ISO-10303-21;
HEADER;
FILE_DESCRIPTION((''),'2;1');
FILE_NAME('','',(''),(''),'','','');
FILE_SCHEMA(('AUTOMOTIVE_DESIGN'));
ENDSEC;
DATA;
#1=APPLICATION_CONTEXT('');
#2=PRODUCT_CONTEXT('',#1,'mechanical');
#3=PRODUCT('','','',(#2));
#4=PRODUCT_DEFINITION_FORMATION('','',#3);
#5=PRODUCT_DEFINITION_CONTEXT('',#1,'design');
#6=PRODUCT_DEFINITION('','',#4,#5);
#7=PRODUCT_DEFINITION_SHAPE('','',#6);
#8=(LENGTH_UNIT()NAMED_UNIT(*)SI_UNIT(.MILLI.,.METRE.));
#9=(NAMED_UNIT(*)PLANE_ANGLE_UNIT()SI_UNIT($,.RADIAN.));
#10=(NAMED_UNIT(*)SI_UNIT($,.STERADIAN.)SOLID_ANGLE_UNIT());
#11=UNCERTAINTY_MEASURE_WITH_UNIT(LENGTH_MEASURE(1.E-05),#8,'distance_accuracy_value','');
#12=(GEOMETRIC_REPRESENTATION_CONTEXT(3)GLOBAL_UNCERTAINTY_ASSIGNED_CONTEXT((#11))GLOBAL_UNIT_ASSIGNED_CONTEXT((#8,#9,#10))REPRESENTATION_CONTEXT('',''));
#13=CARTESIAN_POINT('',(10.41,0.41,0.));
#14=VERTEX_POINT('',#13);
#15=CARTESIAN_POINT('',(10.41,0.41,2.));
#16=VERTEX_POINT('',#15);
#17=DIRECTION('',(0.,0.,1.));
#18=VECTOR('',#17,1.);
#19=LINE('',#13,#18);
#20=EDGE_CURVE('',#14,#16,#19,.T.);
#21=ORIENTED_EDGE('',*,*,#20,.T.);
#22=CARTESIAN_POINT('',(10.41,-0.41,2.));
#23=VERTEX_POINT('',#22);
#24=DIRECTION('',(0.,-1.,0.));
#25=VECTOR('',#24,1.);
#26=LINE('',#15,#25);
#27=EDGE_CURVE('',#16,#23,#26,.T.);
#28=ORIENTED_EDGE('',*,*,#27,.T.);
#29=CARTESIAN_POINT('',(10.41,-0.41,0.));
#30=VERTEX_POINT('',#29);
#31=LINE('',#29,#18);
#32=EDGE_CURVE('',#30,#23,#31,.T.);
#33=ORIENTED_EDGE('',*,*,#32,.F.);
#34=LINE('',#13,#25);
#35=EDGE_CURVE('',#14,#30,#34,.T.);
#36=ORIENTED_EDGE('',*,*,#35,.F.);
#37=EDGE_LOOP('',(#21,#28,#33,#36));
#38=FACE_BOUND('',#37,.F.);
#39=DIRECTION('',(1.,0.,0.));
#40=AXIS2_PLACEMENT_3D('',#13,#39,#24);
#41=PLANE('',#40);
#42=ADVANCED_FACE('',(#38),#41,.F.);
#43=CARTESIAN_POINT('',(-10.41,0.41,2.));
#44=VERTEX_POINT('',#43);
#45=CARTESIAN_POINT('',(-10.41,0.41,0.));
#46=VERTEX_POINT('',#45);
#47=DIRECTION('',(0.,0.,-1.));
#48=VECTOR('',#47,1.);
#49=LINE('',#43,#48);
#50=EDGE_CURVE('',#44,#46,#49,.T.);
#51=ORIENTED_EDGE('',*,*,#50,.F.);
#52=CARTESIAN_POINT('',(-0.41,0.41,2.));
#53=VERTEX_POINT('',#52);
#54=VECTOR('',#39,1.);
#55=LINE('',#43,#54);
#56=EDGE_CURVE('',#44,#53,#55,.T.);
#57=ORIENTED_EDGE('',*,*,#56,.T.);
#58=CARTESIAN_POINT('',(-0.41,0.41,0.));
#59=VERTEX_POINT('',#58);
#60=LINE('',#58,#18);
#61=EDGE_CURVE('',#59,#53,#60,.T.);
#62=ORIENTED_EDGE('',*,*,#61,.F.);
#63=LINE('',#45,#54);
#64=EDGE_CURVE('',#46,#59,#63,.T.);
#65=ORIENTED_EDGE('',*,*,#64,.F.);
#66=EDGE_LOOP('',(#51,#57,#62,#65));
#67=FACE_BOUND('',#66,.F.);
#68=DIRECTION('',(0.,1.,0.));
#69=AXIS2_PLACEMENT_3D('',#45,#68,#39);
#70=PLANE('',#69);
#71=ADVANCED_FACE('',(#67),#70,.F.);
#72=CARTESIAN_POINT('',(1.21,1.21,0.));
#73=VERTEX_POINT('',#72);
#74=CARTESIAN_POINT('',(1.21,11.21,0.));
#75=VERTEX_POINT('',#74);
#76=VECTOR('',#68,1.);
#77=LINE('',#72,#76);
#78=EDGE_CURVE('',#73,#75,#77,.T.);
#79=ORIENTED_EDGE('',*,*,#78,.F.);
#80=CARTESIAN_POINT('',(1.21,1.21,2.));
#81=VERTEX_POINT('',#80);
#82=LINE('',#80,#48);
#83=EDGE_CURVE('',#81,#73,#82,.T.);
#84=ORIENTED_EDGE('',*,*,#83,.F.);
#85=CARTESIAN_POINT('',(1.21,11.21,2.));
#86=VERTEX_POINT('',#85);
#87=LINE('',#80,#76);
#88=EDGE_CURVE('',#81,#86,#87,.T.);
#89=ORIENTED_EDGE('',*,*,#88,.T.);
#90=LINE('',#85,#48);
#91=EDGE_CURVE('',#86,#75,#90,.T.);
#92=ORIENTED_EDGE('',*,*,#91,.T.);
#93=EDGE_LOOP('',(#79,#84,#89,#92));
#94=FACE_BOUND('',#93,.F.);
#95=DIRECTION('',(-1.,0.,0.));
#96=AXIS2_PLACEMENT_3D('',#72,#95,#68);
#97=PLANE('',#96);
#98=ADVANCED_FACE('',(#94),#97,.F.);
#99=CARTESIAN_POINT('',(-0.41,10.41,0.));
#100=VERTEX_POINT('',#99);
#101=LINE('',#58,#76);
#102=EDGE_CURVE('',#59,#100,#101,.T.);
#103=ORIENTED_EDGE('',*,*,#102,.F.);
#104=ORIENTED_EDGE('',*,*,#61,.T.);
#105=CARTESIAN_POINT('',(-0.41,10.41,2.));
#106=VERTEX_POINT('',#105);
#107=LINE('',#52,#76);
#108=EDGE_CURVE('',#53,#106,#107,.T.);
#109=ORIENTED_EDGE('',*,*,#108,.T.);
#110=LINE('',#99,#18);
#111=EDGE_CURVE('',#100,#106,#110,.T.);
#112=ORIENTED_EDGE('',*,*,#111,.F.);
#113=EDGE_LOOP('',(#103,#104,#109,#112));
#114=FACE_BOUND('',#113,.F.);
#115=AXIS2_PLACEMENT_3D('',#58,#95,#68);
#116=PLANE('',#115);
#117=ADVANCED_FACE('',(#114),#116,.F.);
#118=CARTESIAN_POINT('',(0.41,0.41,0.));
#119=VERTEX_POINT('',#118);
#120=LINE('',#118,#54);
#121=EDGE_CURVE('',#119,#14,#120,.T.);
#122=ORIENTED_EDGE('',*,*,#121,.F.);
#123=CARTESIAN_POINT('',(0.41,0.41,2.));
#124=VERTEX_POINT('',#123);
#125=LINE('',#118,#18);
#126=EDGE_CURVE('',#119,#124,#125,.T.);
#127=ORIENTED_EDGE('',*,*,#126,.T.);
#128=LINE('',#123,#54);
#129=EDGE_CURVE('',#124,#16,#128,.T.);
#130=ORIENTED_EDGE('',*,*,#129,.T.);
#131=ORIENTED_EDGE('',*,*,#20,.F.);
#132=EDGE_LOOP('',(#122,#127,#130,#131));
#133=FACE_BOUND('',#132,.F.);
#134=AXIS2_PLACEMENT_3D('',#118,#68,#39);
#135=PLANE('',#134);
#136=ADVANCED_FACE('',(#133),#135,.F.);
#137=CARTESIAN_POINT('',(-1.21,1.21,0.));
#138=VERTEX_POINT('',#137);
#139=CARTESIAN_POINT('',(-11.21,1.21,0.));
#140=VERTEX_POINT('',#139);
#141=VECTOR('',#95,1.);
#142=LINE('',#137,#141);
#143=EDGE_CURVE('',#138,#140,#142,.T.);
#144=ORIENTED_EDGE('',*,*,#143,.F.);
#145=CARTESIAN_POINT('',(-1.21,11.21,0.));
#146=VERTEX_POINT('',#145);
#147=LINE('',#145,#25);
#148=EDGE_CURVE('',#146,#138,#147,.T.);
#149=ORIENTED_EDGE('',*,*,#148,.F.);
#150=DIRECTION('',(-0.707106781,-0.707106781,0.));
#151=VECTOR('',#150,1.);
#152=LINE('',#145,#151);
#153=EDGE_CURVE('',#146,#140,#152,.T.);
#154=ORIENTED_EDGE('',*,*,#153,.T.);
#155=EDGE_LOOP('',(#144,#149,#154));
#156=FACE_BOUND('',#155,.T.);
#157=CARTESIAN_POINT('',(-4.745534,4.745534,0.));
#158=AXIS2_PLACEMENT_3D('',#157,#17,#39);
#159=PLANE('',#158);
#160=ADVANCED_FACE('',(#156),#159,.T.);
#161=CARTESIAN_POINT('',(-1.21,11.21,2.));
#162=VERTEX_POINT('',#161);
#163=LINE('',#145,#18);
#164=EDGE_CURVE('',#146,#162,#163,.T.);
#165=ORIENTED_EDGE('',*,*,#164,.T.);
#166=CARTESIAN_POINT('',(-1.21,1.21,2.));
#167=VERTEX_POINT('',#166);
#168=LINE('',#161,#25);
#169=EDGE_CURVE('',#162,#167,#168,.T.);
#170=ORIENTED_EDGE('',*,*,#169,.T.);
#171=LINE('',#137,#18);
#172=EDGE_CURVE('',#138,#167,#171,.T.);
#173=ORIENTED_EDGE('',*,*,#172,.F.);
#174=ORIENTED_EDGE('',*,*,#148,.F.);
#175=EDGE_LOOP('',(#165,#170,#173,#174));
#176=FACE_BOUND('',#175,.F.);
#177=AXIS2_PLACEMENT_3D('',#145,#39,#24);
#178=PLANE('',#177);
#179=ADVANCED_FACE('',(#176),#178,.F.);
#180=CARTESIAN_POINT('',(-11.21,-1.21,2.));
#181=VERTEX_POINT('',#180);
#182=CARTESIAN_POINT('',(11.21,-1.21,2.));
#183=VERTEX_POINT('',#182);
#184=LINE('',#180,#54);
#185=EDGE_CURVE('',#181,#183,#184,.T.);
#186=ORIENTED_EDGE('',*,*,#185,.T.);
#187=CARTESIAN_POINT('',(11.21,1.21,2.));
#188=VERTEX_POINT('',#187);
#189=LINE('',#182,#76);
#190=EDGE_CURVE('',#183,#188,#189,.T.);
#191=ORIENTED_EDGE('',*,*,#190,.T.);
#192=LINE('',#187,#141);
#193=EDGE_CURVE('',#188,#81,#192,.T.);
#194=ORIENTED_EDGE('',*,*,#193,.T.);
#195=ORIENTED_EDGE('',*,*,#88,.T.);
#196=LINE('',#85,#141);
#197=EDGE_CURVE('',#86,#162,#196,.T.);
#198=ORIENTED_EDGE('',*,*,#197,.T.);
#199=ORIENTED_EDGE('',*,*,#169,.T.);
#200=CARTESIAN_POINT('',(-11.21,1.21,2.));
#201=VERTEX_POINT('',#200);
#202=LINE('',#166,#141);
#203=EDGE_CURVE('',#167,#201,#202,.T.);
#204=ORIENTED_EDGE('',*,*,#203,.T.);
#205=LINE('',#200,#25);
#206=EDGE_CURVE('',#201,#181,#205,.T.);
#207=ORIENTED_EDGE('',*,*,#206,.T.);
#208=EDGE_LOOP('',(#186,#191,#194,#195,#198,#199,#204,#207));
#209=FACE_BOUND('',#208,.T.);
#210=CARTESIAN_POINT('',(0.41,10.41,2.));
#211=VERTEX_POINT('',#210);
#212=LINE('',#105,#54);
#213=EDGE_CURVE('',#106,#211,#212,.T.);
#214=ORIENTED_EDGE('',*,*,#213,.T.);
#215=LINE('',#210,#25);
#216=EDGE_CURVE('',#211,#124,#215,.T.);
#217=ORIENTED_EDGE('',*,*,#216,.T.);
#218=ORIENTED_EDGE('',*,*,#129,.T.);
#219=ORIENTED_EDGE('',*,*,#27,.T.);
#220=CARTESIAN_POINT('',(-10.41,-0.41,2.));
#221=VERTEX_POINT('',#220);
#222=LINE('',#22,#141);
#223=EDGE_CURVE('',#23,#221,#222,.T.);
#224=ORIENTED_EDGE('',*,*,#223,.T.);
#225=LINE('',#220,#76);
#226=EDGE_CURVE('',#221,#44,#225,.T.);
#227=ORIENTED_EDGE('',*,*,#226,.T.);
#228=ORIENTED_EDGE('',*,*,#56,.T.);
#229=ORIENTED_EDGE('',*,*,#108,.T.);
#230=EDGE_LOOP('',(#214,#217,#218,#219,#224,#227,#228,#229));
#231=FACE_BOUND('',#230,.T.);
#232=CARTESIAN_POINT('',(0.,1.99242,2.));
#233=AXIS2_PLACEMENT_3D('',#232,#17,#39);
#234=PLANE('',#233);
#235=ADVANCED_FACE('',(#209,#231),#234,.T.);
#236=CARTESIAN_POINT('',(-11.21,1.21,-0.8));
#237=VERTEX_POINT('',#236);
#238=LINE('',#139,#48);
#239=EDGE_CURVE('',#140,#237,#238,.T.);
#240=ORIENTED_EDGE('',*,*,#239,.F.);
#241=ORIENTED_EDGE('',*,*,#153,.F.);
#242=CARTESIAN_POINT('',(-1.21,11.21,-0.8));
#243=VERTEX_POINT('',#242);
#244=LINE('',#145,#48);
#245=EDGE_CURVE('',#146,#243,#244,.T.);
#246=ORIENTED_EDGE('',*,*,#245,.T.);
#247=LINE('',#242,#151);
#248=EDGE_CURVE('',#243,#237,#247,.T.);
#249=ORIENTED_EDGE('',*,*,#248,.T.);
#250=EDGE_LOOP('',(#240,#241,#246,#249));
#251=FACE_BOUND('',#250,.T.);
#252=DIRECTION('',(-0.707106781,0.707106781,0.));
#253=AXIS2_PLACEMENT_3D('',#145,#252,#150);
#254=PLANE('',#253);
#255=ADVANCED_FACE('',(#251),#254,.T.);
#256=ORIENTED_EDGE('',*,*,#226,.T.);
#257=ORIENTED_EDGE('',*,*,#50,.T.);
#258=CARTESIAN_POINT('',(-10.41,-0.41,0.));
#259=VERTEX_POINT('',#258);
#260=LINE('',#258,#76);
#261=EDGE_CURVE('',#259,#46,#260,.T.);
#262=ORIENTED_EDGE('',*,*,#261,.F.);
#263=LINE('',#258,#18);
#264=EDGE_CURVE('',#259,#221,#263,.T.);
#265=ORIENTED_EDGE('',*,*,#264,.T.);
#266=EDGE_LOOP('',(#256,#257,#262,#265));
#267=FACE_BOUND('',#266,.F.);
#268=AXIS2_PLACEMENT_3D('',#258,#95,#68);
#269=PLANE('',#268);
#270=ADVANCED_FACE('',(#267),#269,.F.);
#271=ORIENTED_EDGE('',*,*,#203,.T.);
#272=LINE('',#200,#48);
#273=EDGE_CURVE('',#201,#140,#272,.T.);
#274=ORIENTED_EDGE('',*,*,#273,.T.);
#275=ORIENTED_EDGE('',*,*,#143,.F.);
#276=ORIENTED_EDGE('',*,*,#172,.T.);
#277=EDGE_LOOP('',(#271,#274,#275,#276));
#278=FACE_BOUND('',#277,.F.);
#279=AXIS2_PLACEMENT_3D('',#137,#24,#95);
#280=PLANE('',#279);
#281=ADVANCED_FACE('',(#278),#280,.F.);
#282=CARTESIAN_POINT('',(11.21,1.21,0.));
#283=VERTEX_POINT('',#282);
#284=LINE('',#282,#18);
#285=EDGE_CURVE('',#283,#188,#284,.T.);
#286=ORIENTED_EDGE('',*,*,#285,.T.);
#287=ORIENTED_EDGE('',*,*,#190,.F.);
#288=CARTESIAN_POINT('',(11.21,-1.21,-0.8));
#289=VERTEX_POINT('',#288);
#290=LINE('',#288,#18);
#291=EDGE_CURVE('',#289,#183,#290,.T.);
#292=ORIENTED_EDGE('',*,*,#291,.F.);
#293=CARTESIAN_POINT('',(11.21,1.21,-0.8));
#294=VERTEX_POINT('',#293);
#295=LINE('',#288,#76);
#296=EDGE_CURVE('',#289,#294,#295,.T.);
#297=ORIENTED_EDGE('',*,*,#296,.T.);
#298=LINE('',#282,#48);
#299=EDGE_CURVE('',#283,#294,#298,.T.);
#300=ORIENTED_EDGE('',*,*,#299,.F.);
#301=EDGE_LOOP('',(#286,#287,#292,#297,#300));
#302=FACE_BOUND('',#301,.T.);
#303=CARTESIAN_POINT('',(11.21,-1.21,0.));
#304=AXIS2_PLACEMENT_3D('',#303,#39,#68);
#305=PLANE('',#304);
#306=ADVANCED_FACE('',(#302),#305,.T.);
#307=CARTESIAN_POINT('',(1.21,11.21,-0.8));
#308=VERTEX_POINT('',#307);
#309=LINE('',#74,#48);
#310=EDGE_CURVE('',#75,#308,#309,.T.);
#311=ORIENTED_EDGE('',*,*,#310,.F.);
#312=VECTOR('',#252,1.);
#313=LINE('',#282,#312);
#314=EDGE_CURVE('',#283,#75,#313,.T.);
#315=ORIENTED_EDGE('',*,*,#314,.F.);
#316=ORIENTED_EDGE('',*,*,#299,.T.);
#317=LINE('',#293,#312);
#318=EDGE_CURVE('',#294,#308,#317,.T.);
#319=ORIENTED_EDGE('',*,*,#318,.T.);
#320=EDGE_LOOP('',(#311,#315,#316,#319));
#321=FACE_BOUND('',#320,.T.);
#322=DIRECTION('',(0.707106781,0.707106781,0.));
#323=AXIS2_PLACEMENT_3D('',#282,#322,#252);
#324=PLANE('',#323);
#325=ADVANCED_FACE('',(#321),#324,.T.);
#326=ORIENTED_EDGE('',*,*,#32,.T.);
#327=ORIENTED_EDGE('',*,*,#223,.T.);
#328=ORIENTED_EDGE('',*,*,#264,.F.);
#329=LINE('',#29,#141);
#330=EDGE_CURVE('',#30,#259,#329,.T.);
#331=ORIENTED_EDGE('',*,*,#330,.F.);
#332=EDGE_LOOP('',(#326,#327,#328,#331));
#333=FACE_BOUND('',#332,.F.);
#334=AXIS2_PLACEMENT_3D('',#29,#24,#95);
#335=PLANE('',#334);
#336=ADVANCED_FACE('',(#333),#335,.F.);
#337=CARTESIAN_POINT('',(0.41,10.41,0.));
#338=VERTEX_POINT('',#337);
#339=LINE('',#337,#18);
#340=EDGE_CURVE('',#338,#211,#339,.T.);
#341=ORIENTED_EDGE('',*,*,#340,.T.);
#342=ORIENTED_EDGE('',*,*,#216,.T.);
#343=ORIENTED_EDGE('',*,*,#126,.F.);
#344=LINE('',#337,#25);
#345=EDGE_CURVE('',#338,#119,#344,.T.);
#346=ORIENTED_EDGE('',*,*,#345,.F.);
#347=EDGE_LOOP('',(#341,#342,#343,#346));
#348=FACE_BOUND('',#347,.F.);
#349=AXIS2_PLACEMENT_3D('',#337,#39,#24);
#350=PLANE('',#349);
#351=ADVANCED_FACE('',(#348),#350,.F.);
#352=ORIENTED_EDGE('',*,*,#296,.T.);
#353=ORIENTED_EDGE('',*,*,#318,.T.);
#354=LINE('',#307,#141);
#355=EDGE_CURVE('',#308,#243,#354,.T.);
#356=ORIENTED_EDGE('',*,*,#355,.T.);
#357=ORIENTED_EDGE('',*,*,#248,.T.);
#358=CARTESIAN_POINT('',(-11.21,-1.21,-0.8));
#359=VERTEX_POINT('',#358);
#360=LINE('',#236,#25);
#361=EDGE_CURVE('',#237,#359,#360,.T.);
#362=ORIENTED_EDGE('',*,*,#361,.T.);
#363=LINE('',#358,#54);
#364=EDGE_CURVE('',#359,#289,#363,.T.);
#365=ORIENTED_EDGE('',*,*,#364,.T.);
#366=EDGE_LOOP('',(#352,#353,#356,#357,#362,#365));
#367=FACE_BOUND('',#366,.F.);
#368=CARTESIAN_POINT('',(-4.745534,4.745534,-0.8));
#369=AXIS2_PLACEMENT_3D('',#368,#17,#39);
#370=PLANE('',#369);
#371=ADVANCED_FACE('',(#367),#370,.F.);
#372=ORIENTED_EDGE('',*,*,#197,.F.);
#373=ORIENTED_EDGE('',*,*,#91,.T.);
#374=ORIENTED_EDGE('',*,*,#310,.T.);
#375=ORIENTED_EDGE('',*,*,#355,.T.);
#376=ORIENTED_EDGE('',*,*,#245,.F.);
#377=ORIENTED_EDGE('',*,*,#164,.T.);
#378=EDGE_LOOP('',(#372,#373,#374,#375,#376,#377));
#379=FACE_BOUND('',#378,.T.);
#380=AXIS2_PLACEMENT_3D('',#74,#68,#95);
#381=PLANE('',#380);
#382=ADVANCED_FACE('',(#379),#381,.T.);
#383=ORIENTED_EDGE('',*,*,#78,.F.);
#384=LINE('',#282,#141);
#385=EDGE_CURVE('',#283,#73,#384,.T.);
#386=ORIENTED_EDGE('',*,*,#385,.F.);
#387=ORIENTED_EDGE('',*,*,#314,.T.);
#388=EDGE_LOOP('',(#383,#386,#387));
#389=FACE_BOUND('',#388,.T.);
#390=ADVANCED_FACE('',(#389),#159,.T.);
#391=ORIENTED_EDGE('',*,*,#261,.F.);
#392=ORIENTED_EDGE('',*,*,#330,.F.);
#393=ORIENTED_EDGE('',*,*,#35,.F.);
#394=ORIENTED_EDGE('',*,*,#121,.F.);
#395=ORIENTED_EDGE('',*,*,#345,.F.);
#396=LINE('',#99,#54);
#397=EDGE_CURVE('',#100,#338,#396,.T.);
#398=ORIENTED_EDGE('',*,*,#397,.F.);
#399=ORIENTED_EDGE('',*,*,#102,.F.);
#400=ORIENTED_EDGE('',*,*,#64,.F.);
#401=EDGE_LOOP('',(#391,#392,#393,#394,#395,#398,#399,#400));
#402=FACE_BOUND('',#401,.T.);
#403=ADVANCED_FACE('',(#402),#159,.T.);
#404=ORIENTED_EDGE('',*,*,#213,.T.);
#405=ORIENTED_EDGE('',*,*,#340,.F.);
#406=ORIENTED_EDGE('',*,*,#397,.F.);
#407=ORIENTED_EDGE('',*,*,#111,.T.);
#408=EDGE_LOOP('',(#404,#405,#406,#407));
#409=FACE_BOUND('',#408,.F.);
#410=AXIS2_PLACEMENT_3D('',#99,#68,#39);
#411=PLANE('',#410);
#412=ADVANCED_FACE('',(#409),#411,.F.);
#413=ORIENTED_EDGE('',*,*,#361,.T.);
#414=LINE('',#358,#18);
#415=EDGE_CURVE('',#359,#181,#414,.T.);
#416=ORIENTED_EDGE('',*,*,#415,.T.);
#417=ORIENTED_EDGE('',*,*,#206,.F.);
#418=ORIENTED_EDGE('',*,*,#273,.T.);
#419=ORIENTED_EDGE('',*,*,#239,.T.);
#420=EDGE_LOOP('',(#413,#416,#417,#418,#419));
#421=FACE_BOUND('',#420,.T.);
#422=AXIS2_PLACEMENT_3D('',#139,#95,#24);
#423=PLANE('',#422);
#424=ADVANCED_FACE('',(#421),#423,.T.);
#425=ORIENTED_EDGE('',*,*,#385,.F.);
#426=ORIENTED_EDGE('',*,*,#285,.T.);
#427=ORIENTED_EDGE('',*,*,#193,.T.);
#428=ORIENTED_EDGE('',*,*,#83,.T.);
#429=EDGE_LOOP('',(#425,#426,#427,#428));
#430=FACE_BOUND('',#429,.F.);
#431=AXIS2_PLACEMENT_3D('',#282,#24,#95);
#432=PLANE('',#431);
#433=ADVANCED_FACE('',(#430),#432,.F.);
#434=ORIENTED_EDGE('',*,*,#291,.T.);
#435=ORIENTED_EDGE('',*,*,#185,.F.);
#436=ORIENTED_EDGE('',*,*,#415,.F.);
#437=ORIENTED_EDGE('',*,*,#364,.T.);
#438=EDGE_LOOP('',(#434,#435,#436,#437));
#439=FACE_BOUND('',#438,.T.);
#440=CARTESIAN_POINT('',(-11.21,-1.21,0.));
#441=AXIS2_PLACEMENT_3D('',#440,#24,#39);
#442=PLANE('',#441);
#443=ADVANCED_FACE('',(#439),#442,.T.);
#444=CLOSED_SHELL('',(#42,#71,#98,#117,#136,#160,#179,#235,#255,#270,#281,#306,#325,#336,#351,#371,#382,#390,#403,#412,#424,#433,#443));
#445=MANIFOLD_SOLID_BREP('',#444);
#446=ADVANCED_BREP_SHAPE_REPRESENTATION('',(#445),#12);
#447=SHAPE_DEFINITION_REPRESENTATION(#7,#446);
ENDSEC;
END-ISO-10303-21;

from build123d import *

# Parameters (mm, degrees)
F0_W     = 0.82
F0_H     = 0.8
F1_DEPTH = 2
F2_DEPTH = 0.8


with BuildPart() as f1:
    # F0 (on Top) → F1 (new body)
    with BuildSketch(Plane.XY):
        Polygon((-10.41, 0.41), (-0.41, 0.41), (-0.41, 10.41), (0.41, 10.41), (0.41, 0.41), (10.41, 0.41), (10.41, -0.41), (0.41, -0.41), (0.41, -1.21), (1.21, -1.21), (11.21, -1.21), (11.21, 1.21), (1.21, 1.21), (1.21, 11.21), (-1.21, 11.21), (-1.21, 1.21), (-11.21, 1.21), (-11.21, -1.21), (-1.21, -1.21), (-0.41, -1.21), (-0.41, -0.41), (-10.41, -0.41), align=None)
        with Locations((0, -0.81)):
            Rectangle(F0_W, F0_H)
    extrude(amount=F1_DEPTH)

    # F0 (on Top) + F1_face (on face) → F2 (join)
    with BuildSketch(Plane.XY):
        Polygon((-1.21, 11.21), (-11.21, 1.21), (-1.21, 1.21), align=None)
        Polygon((1.21, 1.21), (11.21, 1.21), (1.21, 11.21), align=None)
        Polygon((-10.41, 0.41), (-0.41, 0.41), (-0.41, 10.41), (0.41, 10.41), (0.41, 0.41), (10.41, 0.41), (10.41, -0.41), (0.41, -0.41), (0.41, -1.21), (1.21, -1.21), (11.21, -1.21), (11.21, 1.21), (1.21, 1.21), (1.21, 11.21), (-1.21, 11.21), (-1.21, 1.21), (-11.21, 1.21), (-11.21, -1.21), (-1.21, -1.21), (-0.41, -1.21), (-0.41, -0.41), (-10.41, -0.41), align=None)
        Polygon((-0.41, 10.41), (-0.41, 0.41), (-10.41, 0.41), (-10.41, -0.41), (-0.41, -0.41), (0.41, -0.41), (10.41, -0.41), (10.41, 0.41), (0.41, 0.41), (0.41, 10.41), align=None)
        with Locations((0, -0.81)):
            Rectangle(F0_W, F0_H)
    with BuildSketch(Plane(origin=(0, 1.991576, 2), x_dir=(1, 0, 0), z_dir=(0, 0, 1))):
        Polygon((11.21, -3.201576), (11.21, -0.781576), (1.21, -0.781576), (1.21, 9.218424), (-1.21, 9.218424), (-1.21, -0.781576), (-11.21, -0.781576), (-11.21, -3.201576), align=None)
        Polygon((-10.41, -2.401576), (-10.41, -1.581576), (-0.41, -1.581576), (-0.41, 8.418424), (0.41, 8.418424), (0.41, -1.581576), (10.41, -1.581576), (10.41, -2.401576), align=None, mode=Mode.SUBTRACT)
    extrude(amount=-F2_DEPTH)


solid = f1.part
